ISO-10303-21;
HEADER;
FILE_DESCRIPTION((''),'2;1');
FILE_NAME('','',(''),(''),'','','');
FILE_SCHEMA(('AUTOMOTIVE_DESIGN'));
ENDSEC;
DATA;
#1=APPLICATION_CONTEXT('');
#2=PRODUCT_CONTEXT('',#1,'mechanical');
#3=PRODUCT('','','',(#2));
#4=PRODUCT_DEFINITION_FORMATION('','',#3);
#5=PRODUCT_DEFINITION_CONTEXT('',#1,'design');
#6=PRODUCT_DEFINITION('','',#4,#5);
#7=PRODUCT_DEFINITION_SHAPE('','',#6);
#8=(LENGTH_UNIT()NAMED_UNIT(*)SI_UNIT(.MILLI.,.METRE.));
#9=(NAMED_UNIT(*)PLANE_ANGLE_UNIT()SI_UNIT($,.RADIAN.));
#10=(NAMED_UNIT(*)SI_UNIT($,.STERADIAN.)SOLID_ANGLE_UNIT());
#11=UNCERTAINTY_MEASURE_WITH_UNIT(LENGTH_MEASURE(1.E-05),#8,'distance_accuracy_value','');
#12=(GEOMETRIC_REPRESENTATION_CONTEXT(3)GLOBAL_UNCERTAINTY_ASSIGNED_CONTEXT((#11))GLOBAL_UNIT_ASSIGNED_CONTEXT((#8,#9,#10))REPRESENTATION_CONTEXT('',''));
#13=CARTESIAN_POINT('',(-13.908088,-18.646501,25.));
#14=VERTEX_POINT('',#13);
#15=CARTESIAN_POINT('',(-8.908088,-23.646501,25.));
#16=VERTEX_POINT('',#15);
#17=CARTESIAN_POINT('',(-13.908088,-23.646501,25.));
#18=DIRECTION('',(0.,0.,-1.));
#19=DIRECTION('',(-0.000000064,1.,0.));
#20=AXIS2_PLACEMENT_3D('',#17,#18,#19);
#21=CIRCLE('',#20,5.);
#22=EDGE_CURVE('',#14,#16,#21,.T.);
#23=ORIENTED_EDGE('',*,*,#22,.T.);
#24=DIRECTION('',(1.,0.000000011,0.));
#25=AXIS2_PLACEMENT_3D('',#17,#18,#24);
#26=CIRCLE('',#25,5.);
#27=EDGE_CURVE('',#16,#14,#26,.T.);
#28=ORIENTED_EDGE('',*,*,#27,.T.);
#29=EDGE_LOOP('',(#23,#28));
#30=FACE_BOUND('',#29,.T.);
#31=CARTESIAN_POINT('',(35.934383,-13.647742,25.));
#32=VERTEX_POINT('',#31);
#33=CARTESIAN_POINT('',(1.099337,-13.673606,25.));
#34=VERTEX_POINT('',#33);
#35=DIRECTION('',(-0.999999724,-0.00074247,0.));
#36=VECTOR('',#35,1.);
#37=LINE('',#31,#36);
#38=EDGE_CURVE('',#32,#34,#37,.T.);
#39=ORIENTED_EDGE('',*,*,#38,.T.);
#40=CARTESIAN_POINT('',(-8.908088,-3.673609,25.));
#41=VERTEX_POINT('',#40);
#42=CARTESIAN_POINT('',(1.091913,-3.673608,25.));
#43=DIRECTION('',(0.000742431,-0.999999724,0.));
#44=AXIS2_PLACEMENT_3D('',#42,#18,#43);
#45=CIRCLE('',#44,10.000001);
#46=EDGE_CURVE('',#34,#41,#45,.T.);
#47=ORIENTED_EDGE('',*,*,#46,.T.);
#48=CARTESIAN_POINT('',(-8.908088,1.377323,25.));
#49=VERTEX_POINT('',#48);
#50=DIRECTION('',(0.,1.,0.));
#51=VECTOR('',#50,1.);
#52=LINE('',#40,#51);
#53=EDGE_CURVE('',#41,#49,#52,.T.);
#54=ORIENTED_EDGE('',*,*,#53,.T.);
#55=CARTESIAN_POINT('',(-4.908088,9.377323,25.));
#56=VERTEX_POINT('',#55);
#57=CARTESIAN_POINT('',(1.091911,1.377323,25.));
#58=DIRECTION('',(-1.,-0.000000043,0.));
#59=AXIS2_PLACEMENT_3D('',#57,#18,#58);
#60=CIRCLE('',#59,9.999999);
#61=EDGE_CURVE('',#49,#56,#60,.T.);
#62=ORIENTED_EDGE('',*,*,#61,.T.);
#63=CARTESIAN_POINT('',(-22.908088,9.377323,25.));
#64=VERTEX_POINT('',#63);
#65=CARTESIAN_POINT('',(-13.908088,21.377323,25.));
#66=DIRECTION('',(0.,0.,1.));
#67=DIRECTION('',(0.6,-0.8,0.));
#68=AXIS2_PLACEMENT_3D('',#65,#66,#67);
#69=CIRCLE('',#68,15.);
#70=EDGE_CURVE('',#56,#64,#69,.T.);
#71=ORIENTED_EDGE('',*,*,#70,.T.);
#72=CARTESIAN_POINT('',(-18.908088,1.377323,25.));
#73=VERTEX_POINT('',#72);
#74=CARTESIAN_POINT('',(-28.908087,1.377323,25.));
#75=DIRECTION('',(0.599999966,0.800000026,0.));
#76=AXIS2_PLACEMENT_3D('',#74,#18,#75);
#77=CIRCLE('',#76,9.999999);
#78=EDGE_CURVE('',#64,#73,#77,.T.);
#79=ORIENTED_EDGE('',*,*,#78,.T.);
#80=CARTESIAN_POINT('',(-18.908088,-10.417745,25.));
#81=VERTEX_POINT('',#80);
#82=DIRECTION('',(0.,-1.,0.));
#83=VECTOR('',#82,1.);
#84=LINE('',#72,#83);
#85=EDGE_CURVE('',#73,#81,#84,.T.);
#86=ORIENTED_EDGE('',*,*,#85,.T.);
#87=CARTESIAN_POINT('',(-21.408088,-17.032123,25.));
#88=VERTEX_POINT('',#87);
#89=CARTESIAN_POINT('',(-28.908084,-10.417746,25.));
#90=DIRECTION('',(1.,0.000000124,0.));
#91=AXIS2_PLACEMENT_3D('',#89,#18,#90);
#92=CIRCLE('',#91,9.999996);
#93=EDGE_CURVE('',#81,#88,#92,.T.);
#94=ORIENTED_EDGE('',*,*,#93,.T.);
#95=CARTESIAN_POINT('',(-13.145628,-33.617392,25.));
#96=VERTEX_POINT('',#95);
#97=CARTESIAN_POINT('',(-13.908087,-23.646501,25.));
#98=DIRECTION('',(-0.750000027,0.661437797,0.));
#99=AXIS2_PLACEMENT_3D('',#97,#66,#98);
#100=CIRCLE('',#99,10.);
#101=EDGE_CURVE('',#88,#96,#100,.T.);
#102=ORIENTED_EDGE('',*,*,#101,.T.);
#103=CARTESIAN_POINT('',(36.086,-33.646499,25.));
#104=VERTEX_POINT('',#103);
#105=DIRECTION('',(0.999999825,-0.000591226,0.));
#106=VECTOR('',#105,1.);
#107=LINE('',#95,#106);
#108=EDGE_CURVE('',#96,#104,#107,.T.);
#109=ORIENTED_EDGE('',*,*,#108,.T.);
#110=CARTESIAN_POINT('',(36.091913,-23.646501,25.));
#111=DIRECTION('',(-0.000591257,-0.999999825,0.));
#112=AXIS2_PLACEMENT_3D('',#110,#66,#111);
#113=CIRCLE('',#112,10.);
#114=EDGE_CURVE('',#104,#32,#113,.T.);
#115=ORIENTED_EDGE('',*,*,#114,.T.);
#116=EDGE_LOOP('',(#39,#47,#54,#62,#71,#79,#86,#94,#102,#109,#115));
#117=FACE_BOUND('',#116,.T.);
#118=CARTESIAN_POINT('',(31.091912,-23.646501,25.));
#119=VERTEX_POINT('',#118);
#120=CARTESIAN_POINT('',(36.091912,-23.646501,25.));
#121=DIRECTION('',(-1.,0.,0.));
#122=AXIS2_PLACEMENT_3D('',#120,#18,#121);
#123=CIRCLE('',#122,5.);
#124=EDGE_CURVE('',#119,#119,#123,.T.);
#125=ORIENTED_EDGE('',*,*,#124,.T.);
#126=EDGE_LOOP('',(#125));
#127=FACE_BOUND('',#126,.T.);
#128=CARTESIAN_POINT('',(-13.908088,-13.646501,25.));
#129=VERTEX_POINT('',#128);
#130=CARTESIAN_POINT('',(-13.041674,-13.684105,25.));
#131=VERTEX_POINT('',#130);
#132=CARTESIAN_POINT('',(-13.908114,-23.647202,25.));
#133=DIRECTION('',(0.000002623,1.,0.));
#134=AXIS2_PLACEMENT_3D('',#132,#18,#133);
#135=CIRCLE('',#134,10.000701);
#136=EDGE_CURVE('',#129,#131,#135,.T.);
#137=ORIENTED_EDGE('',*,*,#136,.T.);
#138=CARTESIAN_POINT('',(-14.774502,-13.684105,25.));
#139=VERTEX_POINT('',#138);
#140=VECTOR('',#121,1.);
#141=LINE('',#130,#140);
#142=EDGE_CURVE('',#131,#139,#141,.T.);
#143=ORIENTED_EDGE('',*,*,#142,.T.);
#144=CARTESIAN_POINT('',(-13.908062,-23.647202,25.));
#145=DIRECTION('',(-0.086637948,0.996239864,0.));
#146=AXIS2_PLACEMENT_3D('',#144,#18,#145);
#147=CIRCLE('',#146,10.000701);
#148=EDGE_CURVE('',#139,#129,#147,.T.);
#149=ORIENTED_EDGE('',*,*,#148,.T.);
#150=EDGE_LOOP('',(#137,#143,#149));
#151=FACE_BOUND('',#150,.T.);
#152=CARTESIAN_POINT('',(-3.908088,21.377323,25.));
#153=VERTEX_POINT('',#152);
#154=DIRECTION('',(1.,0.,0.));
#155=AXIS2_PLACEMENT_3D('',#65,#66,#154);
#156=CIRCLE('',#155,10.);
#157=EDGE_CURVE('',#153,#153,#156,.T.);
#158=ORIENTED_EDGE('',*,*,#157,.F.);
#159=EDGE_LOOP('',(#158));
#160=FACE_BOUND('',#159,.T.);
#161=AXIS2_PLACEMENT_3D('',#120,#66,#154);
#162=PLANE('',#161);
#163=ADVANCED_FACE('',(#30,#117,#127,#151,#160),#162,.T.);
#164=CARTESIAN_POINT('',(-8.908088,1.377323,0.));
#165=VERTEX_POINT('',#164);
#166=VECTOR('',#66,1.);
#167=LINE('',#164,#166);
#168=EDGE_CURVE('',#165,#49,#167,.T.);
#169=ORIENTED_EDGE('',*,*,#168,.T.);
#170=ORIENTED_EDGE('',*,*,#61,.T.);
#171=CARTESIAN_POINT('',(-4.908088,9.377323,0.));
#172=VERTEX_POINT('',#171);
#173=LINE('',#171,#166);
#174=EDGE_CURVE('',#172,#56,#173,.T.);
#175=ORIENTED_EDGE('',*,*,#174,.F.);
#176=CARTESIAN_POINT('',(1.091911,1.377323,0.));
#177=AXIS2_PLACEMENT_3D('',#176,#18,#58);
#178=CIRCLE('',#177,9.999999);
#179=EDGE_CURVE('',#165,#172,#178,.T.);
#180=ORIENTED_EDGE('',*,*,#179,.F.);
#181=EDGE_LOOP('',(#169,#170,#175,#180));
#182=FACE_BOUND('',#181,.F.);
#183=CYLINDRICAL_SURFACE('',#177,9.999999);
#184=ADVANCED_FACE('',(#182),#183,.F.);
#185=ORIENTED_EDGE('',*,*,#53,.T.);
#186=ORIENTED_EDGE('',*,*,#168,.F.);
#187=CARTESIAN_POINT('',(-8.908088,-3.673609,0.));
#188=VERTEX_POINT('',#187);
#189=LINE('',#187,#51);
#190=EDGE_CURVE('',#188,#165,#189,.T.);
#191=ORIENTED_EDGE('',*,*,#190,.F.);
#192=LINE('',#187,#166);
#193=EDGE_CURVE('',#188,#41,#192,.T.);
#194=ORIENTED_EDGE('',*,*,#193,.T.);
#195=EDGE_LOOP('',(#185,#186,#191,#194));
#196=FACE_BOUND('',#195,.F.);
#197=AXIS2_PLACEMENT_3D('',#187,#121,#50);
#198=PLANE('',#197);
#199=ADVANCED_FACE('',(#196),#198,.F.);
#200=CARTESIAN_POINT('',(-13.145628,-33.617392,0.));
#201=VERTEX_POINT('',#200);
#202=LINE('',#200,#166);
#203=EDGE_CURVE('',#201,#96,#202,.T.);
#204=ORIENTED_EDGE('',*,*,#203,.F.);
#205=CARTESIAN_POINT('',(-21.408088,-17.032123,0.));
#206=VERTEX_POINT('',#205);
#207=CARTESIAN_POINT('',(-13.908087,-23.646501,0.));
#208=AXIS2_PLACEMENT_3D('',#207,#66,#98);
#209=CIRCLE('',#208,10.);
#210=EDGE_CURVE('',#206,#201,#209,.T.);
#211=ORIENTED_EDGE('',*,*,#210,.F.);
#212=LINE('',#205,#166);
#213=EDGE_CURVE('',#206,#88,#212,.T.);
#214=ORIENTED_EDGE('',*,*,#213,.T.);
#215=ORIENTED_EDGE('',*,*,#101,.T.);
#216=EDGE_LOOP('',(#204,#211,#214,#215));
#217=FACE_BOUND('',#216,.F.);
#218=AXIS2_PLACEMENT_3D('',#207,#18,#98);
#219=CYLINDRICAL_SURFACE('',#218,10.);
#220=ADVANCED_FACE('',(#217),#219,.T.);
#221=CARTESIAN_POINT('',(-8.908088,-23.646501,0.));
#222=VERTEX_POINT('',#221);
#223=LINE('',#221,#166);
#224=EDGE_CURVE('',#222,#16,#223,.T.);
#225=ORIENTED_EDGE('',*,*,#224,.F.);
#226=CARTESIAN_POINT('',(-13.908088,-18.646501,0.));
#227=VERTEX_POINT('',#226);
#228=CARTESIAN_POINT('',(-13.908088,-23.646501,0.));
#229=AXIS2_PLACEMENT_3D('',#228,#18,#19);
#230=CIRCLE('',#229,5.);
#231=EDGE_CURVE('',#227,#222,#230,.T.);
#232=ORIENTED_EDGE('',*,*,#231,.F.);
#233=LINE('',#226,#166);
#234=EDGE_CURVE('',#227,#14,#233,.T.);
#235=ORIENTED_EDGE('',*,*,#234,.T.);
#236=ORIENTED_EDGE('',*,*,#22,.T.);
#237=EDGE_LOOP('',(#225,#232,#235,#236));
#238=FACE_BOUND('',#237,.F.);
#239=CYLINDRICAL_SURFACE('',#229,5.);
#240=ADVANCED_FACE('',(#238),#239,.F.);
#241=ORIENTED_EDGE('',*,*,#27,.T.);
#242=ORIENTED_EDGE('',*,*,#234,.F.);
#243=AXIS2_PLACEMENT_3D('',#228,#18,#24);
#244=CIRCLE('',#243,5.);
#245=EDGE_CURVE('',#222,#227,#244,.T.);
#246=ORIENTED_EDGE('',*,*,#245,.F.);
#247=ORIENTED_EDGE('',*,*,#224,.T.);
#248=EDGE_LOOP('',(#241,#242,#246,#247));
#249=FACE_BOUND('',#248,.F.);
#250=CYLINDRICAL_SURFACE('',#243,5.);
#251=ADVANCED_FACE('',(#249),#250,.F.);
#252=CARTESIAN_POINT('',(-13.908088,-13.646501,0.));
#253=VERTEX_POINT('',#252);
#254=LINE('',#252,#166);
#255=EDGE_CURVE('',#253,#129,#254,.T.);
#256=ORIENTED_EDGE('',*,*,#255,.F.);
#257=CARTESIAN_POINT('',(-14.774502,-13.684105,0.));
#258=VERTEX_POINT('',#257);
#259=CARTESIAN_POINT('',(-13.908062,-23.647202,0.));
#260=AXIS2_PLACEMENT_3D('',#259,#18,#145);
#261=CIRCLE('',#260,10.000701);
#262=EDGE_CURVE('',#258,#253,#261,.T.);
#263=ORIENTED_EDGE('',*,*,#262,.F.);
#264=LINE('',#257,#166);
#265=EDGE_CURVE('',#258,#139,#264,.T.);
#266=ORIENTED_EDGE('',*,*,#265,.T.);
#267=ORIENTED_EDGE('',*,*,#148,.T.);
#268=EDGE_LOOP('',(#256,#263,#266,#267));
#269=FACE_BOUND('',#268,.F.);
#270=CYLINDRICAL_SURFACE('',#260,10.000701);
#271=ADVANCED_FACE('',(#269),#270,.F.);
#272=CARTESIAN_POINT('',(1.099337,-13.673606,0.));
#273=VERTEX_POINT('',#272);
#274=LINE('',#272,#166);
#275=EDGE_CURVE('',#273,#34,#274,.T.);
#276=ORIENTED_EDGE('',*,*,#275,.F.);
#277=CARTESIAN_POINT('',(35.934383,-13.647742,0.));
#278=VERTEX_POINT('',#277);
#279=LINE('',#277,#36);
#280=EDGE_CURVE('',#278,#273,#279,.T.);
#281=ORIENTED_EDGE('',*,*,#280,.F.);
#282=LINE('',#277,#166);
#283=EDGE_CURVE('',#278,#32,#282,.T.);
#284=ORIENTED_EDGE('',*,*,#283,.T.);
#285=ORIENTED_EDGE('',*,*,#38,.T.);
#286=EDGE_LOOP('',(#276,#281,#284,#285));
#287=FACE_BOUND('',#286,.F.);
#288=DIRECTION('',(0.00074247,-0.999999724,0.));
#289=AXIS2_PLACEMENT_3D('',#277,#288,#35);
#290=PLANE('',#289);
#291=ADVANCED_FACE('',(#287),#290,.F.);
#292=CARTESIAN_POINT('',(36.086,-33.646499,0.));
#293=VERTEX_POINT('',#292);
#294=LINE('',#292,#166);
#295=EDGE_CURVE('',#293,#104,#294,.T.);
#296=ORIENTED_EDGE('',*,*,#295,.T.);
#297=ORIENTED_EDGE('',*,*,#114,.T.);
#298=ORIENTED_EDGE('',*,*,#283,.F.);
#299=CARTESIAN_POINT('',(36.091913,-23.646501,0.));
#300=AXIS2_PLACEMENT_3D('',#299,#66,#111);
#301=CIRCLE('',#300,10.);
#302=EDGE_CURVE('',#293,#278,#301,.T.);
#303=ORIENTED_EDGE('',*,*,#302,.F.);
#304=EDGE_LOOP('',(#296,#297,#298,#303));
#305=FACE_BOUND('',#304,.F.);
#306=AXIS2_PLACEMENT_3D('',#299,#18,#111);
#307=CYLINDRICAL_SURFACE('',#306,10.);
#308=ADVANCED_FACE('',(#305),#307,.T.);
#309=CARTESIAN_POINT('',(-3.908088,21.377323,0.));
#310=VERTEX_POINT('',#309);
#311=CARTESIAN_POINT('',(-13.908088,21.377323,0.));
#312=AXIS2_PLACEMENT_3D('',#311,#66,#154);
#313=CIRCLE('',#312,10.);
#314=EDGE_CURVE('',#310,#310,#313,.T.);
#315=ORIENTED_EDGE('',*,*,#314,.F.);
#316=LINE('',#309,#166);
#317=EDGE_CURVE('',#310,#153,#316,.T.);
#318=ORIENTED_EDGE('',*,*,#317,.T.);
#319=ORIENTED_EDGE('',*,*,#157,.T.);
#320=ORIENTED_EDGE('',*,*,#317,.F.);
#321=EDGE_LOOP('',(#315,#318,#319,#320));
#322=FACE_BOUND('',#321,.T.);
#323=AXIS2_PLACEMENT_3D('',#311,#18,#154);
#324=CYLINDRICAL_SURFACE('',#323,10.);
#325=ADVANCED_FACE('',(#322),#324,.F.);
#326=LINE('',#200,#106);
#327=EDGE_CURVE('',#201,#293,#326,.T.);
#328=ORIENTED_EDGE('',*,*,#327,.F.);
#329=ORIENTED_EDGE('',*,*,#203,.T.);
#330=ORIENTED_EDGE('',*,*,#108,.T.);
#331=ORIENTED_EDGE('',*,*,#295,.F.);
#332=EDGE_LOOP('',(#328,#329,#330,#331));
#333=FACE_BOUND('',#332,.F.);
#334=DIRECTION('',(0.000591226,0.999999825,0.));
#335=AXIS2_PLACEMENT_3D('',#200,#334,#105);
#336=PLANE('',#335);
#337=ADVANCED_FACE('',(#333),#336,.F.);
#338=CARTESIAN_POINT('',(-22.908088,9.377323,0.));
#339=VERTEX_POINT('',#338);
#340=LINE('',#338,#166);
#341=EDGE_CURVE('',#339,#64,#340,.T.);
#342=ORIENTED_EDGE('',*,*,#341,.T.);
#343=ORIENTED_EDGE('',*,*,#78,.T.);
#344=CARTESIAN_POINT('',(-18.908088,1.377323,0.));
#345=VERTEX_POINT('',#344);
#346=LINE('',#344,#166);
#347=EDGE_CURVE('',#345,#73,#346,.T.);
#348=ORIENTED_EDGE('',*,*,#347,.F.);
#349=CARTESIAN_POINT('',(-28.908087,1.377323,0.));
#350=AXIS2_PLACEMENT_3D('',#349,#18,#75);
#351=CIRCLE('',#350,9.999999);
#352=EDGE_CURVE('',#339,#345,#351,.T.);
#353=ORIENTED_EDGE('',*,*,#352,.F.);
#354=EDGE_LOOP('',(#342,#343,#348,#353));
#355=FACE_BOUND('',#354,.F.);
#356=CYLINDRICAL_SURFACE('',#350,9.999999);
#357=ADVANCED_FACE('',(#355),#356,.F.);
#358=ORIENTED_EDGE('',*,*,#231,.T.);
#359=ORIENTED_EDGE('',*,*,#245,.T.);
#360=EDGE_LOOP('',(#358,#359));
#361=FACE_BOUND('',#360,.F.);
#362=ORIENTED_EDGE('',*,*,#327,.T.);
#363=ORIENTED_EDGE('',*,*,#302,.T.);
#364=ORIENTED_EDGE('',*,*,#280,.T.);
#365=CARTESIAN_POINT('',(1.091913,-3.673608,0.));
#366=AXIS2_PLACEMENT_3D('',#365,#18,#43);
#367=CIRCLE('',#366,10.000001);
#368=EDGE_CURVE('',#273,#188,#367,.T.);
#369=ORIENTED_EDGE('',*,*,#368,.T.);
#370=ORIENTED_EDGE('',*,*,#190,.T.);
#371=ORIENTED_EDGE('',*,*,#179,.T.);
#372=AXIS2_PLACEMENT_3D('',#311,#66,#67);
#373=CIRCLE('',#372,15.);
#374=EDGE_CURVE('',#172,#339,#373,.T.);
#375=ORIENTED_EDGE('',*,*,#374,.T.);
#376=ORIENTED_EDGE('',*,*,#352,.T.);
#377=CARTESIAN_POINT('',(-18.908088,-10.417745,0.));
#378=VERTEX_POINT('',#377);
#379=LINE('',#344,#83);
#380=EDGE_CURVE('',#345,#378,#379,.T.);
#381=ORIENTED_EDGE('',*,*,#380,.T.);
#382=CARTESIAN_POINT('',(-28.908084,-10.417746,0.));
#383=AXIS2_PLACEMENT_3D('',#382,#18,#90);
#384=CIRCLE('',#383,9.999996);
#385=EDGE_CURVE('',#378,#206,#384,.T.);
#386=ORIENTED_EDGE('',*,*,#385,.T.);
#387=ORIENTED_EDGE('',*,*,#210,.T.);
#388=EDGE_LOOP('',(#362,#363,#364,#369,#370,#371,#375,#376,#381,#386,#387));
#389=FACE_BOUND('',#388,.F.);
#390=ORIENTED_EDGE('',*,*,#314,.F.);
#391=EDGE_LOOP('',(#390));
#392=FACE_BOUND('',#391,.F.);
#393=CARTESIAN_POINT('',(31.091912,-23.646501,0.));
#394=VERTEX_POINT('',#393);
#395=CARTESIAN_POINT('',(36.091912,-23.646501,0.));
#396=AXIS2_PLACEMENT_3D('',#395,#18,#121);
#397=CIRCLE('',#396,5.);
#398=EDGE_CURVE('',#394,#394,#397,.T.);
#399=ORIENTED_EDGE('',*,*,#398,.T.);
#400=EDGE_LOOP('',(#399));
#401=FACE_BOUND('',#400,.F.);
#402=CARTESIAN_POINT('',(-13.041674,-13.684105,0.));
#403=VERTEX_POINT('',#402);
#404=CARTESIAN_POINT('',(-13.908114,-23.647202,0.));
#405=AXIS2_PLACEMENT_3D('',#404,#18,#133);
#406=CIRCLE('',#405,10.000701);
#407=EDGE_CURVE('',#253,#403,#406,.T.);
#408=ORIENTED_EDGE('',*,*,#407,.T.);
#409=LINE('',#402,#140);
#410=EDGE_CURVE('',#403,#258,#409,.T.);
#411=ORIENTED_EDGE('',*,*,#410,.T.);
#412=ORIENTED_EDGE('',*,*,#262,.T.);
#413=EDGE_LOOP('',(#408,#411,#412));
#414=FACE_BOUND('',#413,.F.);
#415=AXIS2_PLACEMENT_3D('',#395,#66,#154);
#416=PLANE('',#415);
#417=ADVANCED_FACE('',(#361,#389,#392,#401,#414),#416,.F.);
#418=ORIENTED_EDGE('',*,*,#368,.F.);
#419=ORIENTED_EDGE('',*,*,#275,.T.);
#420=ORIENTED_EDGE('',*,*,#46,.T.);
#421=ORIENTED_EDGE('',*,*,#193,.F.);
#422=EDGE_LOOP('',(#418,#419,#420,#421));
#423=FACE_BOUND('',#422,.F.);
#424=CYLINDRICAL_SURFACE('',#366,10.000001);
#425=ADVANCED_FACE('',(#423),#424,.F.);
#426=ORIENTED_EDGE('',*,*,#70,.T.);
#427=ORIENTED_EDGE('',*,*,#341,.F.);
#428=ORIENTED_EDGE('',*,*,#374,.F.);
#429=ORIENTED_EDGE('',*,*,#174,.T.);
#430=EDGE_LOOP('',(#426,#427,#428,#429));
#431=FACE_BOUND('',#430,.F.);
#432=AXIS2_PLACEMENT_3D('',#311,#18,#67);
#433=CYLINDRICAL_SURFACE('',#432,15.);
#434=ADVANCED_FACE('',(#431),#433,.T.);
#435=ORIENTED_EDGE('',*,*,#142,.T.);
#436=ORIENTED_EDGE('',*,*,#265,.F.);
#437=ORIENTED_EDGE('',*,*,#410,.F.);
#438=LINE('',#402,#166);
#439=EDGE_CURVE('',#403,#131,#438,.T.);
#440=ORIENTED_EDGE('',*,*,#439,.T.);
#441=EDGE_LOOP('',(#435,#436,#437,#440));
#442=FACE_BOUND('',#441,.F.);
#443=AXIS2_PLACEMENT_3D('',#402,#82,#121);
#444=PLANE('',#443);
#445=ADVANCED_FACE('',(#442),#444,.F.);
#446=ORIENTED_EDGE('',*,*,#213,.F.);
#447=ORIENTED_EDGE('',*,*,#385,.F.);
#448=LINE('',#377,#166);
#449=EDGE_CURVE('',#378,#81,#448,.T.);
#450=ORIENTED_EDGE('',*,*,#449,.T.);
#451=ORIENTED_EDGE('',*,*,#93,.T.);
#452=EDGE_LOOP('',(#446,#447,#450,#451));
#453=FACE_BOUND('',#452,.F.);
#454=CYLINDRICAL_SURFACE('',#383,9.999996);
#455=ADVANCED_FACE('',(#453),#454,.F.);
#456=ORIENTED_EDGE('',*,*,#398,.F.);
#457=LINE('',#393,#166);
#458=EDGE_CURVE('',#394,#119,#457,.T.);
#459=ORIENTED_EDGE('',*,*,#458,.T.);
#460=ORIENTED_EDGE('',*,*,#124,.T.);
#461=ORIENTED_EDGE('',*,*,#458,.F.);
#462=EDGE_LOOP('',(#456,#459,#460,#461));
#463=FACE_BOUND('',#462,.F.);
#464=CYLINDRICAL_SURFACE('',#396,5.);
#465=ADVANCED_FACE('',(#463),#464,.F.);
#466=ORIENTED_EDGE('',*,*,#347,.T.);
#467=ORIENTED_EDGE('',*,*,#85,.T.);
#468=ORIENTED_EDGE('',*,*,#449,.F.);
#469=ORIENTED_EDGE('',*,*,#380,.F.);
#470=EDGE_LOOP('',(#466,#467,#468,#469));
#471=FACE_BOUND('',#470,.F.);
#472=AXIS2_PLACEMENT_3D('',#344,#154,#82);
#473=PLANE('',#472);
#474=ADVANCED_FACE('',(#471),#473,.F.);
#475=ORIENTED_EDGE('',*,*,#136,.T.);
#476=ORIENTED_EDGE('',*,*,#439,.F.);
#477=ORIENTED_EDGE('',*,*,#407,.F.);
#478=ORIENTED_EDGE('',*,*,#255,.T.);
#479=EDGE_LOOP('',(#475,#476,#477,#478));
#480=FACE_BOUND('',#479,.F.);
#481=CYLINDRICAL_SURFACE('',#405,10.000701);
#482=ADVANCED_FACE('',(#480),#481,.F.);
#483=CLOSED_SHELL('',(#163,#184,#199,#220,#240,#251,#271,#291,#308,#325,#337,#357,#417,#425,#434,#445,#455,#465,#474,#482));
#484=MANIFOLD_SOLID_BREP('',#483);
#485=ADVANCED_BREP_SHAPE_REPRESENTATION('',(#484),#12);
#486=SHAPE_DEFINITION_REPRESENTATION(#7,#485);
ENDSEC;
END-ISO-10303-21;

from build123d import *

# Parameters (mm, degrees)
F0_R     = 10
F1_DEPTH = 25


with BuildPart() as f1:
    # F0 (on Top) → F1 (new body)
    with BuildSketch(Plane.XY):
        with BuildLine():
            ThreePointArc((41.091912, -23.646501), (36.091912, -18.646501), (31.091912, -23.646501))
            ThreePointArc((31.091912, -23.646501), (36.091912, -28.646501), (41.091912, -23.646501))
        make_face()
        with BuildLine():
            ThreePointArc((-8.908088, 1.377323), (-7.85236, 5.849459), (-4.908088, 9.377323))
            ThreePointArc((-4.908088, 9.377323), (-13.908088, 36.377323), (-22.908088, 9.377323))
            ThreePointArc((-22.908088, 9.377323), (-19.963816, 5.849459), (-18.908088, 1.377323))
            Line((-18.908088, 1.377323), (-18.908088, -10.417745))
            ThreePointArc((-18.908088, -10.417745), (-19.553944, -13.953278), (-21.408088, -17.032123))
            ThreePointArc((-21.408088, -17.032123), (-22.858864, -28.105605), (-13.145628, -33.617392))
            Line((-13.145628, -33.617392), (36.086, -33.646499))
            ThreePointArc((36.086, -33.646499), (46.091625, -23.57069), (35.934383, -13.647742))
            Line((35.934383, -13.647742), (1.099337, -13.673606))
            ThreePointArc((1.099337, -13.673606), (-5.97653, -10.747301), (-8.908088, -3.673609))
            Line((-8.908088, -3.673609), (-8.908088, 1.377323))
        make_face()
        with BuildLine():
            ThreePointArc((-8.908088, -23.646501), (-17.443622, -27.182035), (-13.908088, -18.646501))
            ThreePointArc((-13.908088, -18.646501), (-10.372554, -20.110967), (-8.908088, -23.646501))
        make_face(mode=Mode.SUBTRACT)
        with BuildLine():
            ThreePointArc((-13.908088, -13.646501), (-13.474473, -13.655907), (-13.041674, -13.684105))
            Line((-13.041674, -13.684105), (-13.908088, -13.684105))
            Line((-13.908088, -13.684105), (-14.774502, -13.684105))
            ThreePointArc((-14.774502, -13.684105), (-14.341703, -13.655907), (-13.908088, -13.646501))
        make_face(mode=Mode.SUBTRACT)
        with BuildLine():
            ThreePointArc((41.091912, -23.646501), (36.091912, -28.646501), (31.091912, -23.646501))
            ThreePointArc((31.091912, -23.646501), (36.091912, -18.646501), (41.091912, -23.646501))
        make_face(mode=Mode.SUBTRACT)
        with Locations((-13.908088, 21.377323)):
            Circle(F0_R, mode=Mode.SUBTRACT)
    extrude(amount=F1_DEPTH)


solid = f1.part
